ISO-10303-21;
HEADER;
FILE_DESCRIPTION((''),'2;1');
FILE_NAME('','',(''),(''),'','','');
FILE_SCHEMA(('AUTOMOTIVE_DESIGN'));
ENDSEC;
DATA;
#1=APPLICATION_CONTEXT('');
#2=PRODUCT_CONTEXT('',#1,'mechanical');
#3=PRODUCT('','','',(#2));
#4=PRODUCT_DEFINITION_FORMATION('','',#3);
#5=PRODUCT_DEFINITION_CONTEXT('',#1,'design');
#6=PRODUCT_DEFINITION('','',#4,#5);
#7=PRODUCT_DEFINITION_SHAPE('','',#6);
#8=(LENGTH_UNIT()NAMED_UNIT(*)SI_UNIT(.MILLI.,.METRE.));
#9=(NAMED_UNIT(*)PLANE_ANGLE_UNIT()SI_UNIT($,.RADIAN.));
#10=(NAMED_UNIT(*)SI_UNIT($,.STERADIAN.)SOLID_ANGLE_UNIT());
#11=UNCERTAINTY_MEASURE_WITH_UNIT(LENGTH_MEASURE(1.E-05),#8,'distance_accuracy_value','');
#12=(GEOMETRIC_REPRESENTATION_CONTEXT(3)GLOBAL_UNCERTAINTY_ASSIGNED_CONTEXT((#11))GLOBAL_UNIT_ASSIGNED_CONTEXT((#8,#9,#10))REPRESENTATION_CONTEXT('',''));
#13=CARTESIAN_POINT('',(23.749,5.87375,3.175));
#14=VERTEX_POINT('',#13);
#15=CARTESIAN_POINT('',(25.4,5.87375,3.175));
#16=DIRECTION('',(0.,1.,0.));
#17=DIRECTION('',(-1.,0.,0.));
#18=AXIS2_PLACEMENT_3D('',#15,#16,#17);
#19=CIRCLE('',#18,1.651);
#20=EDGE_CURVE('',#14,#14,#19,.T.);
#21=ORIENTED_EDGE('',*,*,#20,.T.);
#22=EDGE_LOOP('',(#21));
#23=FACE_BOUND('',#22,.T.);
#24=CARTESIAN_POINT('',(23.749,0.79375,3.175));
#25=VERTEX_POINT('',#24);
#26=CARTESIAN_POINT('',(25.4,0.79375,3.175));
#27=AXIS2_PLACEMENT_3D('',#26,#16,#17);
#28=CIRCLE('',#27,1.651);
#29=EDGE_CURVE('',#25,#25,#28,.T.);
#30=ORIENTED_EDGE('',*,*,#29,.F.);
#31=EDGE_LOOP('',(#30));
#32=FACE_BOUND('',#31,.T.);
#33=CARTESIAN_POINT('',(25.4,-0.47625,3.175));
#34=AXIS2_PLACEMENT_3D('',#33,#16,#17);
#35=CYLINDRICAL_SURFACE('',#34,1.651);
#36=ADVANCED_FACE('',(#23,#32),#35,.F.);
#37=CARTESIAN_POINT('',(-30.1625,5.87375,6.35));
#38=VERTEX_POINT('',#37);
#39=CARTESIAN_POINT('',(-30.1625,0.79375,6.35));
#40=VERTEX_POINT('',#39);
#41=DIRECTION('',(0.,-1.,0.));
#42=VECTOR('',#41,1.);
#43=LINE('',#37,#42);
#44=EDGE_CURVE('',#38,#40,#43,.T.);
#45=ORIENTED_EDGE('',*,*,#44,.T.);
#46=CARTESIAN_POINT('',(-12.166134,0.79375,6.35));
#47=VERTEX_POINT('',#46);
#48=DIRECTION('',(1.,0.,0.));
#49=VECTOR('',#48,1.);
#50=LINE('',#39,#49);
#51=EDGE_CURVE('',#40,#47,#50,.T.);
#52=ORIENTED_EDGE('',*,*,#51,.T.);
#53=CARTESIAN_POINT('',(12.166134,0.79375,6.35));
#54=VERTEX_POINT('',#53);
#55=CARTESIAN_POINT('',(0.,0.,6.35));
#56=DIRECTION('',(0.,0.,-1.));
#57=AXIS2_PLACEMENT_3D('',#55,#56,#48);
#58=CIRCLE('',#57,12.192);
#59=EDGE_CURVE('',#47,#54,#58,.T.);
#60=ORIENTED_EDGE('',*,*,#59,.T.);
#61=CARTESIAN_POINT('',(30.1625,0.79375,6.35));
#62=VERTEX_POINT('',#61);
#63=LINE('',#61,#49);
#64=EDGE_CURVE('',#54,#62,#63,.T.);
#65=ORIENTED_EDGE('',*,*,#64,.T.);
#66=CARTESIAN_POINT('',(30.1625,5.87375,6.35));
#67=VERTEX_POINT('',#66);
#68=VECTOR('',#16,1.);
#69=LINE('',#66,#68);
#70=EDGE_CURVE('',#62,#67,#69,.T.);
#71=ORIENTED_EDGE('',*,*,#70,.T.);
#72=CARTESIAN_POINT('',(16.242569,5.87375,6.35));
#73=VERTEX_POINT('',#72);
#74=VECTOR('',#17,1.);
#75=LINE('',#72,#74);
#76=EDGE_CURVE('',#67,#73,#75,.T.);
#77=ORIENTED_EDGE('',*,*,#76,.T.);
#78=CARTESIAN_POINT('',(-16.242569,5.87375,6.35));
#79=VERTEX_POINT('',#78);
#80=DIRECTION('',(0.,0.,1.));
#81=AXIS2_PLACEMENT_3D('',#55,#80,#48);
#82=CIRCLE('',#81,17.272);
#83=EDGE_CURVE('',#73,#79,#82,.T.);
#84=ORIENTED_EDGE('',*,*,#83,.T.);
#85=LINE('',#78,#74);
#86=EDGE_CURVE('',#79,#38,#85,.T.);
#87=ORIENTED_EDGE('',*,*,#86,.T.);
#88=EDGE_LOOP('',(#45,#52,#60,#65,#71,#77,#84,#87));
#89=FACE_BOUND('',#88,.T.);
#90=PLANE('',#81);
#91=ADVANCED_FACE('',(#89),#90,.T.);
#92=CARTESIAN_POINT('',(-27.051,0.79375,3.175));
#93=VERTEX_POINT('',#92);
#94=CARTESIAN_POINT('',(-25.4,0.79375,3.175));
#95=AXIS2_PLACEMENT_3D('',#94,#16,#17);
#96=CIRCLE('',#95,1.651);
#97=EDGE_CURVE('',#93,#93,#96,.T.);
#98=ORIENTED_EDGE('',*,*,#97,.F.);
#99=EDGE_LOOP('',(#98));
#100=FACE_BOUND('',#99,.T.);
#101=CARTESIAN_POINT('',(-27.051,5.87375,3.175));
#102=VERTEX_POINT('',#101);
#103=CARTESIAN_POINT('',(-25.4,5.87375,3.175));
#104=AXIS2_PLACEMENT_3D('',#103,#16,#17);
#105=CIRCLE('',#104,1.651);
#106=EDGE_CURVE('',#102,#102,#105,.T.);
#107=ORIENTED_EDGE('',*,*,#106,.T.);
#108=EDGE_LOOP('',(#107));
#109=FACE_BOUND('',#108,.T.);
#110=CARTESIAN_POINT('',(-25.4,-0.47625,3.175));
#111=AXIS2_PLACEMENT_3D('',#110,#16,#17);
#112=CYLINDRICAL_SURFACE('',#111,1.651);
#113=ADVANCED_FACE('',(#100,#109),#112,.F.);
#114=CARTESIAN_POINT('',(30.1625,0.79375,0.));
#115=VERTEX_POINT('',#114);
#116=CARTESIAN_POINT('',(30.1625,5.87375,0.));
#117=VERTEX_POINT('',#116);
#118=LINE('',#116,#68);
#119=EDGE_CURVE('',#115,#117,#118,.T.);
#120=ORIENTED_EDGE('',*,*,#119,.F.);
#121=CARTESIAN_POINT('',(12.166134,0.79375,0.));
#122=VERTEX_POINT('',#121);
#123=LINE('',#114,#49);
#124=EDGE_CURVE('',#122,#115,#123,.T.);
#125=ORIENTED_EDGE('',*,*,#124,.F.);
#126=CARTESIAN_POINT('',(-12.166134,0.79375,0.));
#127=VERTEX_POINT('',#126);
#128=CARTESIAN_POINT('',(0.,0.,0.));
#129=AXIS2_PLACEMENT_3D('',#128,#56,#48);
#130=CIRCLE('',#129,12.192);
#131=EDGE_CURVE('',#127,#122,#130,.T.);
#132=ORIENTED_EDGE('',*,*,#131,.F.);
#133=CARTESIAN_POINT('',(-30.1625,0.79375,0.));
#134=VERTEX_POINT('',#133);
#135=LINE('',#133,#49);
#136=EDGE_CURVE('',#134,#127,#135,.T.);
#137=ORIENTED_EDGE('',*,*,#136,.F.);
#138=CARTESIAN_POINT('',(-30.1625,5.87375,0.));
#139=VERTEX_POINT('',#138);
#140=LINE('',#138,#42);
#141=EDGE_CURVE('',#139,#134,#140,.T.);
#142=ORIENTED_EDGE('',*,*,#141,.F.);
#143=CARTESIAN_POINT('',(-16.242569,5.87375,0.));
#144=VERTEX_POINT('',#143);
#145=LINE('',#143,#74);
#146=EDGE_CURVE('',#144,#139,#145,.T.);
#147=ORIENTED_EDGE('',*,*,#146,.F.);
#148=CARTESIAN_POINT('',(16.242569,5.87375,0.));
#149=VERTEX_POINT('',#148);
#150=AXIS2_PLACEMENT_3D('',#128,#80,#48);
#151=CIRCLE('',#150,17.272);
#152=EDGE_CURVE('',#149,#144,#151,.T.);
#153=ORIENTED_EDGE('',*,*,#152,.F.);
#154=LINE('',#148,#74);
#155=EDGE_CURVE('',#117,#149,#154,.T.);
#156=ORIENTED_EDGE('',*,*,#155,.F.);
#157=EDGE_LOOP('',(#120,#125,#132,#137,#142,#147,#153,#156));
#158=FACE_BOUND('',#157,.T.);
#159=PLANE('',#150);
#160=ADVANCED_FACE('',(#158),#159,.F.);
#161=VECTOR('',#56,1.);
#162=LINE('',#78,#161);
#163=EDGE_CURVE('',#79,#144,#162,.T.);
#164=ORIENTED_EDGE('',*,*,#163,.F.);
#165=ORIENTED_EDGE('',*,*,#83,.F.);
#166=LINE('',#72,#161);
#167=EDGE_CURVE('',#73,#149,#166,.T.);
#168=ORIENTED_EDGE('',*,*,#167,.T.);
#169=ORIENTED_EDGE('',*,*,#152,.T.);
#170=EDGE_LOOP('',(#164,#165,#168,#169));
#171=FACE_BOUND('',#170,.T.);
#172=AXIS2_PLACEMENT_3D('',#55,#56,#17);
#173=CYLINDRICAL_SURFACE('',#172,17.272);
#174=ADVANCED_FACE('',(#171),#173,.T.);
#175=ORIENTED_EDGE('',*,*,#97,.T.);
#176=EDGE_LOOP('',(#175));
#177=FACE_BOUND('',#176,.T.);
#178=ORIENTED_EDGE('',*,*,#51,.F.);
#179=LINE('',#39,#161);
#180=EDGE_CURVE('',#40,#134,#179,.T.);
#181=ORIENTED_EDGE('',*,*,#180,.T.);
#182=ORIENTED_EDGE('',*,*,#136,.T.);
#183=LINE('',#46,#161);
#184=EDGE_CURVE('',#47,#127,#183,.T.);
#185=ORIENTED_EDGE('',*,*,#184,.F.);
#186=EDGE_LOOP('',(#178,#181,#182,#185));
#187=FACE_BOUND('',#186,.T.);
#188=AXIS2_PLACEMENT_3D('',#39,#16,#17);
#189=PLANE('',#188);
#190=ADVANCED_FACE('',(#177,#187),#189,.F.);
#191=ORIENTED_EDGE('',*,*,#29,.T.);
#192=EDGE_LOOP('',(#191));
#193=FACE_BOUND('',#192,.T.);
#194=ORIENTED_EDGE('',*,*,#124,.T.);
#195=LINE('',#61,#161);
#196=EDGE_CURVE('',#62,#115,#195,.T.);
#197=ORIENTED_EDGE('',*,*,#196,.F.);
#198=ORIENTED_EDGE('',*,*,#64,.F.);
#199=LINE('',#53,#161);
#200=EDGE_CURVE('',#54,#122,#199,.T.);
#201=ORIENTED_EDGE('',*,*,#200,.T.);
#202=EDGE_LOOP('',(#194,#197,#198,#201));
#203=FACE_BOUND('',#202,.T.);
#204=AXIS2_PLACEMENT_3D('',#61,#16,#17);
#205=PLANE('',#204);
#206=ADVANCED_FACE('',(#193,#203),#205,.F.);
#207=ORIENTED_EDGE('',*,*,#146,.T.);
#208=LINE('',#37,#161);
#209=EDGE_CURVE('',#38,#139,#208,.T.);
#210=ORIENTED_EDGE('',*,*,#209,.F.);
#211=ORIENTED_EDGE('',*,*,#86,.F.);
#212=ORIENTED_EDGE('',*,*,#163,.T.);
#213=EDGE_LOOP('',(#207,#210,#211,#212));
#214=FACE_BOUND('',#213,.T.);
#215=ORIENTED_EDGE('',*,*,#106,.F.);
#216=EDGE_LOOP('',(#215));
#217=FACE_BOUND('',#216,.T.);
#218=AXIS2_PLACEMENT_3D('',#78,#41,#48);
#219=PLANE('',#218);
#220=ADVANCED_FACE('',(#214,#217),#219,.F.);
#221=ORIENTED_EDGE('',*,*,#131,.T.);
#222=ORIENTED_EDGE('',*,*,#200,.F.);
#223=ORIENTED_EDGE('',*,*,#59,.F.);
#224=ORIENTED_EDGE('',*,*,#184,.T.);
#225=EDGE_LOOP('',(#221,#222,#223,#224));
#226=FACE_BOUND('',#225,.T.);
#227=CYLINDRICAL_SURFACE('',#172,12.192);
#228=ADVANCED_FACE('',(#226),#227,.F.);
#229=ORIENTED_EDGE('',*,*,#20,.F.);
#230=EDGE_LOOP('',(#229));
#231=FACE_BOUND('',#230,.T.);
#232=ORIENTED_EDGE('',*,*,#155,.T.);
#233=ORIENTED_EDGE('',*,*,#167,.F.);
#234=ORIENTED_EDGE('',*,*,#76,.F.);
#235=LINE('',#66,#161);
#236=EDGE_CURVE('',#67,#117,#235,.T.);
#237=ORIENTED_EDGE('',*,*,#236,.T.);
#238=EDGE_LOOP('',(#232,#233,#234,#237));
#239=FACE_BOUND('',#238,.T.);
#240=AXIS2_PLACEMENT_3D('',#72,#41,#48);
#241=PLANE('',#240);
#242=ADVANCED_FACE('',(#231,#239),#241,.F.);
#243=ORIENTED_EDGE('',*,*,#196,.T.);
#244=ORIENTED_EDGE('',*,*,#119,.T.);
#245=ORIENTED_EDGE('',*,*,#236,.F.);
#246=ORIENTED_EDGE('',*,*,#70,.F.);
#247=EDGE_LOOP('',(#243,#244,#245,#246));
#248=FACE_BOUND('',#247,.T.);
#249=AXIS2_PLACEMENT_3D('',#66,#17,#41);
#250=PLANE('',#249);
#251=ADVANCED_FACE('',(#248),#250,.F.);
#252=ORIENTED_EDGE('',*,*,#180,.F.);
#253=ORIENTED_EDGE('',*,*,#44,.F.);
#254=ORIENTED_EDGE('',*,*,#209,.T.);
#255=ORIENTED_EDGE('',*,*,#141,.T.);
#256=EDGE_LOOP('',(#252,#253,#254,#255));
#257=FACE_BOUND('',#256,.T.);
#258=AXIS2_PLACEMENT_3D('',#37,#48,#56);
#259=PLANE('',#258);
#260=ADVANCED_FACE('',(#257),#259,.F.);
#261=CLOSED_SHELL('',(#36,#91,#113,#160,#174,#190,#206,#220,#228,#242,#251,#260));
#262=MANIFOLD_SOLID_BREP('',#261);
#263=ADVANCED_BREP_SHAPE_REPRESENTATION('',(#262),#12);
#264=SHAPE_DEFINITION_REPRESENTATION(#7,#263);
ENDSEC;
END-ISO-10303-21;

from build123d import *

# Parameters (mm, degrees)
BOSS_EXTRUDE1_DEPTH = 6.35
SKETCH2_R           = 1.651
CUT_EXTRUDE1_DEPTH  = 6.35


with BuildPart() as part:
    # Sketch1 → Boss-Extrude1 (new body)
    with BuildSketch(Plane.XY):
        with BuildLine():
            Line((-16.242568914, 5.87375), (-30.1625, 5.87375))
            Line((-30.1625, 5.87375), (-30.1625, 0.79375))
            Line((-30.1625, 0.79375), (-12.166134347, 0.79375))
            ThreePointArc((-12.166134347, 0.79375), (0, 12.192), (12.166134347, 0.79375))
            Line((12.166134347, 0.79375), (30.1625, 0.79375))
            Line((30.1625, 0.79375), (30.1625, 5.87375))
            Line((30.1625, 5.87375), (16.242568914, 5.87375))
            ThreePointArc((16.242568914, 5.87375), (0, 17.272), (-16.242568914, 5.87375))
        make_face()
    extrude(amount=BOSS_EXTRUDE1_DEPTH)

    # Sketch2 → Cut-Extrude1 (cut)
    with BuildSketch(Plane(origin=(0, 5.87375, 0), x_dir=(1, 0, 0), z_dir=(0, 1, 0))):
        with Locations((-25.4, -3.175)):
            Circle(SKETCH2_R)
        with Locations((25.4, -3.175)):
            Circle(SKETCH2_R)
    extrude(amount=-CUT_EXTRUDE1_DEPTH, mode=Mode.SUBTRACT)


solid = part.part
